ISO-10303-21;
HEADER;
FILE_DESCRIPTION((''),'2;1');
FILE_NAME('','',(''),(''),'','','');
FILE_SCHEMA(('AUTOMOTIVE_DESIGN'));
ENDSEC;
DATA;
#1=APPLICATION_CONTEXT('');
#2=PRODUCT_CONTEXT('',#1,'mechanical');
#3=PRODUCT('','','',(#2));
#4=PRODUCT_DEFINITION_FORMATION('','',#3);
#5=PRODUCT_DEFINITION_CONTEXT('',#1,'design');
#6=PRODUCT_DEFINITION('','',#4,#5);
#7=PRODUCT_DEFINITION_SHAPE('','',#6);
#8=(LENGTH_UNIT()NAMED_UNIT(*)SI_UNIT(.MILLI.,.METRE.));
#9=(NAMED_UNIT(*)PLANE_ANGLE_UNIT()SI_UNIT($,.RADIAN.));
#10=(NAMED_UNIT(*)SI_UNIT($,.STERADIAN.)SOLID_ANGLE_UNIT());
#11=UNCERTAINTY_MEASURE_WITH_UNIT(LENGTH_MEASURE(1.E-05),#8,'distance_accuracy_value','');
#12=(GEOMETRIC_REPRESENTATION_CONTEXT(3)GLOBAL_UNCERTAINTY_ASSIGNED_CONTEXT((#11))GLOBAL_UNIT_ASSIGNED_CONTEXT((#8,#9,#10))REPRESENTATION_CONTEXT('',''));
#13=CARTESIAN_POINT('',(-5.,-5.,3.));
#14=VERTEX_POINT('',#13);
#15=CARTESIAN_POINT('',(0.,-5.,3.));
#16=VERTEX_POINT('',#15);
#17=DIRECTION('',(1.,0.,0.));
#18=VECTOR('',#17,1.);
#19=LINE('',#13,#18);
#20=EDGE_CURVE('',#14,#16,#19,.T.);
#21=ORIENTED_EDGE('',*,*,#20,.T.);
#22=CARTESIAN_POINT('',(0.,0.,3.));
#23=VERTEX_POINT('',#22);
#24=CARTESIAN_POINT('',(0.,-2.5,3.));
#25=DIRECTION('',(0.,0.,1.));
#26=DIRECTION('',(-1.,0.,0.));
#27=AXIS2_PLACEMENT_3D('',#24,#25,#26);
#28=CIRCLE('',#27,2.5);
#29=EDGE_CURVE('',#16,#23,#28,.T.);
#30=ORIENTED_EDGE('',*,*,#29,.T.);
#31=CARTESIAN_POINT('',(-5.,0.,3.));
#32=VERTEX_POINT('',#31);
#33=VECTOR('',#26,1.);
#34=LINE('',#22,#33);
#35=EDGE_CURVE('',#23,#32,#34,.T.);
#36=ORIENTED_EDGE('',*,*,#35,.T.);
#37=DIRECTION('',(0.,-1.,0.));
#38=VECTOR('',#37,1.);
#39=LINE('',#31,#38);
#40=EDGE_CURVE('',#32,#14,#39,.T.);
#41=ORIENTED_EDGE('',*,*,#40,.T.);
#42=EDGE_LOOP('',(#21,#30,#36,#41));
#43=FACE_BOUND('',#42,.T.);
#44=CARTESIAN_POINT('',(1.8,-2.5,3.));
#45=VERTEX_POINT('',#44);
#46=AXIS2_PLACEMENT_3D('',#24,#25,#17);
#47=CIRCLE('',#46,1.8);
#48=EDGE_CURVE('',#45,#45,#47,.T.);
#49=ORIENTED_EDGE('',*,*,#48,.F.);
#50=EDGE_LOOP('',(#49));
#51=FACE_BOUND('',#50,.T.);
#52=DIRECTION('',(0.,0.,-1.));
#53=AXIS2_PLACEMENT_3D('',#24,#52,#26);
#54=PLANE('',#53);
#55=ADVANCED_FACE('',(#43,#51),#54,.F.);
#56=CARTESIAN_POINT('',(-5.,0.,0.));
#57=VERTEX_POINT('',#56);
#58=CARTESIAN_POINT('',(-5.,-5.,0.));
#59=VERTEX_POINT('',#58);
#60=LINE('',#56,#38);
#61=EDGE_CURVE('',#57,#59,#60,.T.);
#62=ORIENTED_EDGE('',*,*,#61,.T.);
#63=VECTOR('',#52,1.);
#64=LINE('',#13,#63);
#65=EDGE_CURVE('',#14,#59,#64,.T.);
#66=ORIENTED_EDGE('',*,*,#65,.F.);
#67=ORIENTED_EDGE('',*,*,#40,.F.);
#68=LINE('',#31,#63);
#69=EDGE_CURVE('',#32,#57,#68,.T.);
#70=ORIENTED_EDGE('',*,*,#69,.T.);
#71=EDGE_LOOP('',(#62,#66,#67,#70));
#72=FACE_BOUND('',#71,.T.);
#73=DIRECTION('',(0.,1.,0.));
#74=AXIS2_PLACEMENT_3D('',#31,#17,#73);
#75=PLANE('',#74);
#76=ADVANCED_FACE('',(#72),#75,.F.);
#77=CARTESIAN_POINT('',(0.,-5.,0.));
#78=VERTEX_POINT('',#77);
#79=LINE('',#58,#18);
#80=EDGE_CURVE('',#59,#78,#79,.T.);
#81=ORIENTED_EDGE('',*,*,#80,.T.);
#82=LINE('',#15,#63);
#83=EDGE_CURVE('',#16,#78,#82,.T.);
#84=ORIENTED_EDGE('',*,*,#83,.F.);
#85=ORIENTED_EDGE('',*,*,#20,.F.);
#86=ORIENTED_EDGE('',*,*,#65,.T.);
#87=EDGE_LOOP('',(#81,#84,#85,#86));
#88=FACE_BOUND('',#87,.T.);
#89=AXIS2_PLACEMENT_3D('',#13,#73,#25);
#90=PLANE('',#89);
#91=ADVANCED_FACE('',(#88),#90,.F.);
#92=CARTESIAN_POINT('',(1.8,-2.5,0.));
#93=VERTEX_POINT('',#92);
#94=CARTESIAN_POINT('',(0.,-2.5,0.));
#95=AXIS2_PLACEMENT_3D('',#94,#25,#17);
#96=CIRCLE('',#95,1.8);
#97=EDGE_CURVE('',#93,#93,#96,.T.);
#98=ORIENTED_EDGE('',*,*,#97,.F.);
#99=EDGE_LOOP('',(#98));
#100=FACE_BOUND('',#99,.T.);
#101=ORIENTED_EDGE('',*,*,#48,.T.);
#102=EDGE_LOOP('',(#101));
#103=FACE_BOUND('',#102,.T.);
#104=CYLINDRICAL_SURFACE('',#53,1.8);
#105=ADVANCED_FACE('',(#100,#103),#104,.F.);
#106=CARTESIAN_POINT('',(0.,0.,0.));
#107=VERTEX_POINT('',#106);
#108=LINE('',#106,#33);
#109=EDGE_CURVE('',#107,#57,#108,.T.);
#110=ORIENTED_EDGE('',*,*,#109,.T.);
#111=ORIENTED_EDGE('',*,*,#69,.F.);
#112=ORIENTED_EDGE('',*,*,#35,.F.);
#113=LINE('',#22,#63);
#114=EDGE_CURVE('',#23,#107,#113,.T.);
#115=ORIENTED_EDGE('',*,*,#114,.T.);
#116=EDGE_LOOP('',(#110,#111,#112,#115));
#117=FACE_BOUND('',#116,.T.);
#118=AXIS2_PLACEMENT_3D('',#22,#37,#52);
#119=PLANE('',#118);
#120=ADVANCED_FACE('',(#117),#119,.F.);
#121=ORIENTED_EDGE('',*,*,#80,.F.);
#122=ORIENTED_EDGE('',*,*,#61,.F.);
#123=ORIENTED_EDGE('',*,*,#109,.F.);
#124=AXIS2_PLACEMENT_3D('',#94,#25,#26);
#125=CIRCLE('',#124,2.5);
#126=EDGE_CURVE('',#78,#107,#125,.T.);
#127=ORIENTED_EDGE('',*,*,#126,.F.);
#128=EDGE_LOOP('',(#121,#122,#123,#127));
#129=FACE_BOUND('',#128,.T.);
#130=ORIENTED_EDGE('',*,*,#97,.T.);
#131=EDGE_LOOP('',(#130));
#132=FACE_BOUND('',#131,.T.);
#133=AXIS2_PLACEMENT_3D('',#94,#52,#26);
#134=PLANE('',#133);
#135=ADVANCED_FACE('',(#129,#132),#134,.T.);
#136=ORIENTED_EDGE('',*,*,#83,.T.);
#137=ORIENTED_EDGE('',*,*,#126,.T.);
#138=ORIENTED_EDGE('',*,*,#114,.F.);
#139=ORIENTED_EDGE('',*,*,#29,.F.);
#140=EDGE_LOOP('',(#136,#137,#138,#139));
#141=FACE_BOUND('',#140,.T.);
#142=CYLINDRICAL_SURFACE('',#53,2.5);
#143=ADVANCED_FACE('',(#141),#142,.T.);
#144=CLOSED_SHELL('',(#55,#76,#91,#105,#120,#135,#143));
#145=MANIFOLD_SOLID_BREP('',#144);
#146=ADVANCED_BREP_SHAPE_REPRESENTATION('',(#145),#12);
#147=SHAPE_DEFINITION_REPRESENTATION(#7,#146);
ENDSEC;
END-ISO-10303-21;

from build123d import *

# Parameters (mm, degrees)
SKETCH_2_R      = 1.8
EXTRUDE_1_DEPTH = 3


with BuildPart() as part:
    # 草图2 → 凸台-拉伸1 (new body)
    with BuildSketch(Plane.XY):
        with BuildLine():
            Line((0, 0), (-5, 0))
            Line((-5, 0), (-5, -5))
            Line((-5, -5), (0, -5))
            ThreePointArc((0, -5), (2.5, -2.5), (0, 0))
        make_face()
        with Locations((0, -2.5)):
            Circle(SKETCH_2_R, mode=Mode.SUBTRACT)
    extrude(amount=EXTRUDE_1_DEPTH)


solid = part.part
